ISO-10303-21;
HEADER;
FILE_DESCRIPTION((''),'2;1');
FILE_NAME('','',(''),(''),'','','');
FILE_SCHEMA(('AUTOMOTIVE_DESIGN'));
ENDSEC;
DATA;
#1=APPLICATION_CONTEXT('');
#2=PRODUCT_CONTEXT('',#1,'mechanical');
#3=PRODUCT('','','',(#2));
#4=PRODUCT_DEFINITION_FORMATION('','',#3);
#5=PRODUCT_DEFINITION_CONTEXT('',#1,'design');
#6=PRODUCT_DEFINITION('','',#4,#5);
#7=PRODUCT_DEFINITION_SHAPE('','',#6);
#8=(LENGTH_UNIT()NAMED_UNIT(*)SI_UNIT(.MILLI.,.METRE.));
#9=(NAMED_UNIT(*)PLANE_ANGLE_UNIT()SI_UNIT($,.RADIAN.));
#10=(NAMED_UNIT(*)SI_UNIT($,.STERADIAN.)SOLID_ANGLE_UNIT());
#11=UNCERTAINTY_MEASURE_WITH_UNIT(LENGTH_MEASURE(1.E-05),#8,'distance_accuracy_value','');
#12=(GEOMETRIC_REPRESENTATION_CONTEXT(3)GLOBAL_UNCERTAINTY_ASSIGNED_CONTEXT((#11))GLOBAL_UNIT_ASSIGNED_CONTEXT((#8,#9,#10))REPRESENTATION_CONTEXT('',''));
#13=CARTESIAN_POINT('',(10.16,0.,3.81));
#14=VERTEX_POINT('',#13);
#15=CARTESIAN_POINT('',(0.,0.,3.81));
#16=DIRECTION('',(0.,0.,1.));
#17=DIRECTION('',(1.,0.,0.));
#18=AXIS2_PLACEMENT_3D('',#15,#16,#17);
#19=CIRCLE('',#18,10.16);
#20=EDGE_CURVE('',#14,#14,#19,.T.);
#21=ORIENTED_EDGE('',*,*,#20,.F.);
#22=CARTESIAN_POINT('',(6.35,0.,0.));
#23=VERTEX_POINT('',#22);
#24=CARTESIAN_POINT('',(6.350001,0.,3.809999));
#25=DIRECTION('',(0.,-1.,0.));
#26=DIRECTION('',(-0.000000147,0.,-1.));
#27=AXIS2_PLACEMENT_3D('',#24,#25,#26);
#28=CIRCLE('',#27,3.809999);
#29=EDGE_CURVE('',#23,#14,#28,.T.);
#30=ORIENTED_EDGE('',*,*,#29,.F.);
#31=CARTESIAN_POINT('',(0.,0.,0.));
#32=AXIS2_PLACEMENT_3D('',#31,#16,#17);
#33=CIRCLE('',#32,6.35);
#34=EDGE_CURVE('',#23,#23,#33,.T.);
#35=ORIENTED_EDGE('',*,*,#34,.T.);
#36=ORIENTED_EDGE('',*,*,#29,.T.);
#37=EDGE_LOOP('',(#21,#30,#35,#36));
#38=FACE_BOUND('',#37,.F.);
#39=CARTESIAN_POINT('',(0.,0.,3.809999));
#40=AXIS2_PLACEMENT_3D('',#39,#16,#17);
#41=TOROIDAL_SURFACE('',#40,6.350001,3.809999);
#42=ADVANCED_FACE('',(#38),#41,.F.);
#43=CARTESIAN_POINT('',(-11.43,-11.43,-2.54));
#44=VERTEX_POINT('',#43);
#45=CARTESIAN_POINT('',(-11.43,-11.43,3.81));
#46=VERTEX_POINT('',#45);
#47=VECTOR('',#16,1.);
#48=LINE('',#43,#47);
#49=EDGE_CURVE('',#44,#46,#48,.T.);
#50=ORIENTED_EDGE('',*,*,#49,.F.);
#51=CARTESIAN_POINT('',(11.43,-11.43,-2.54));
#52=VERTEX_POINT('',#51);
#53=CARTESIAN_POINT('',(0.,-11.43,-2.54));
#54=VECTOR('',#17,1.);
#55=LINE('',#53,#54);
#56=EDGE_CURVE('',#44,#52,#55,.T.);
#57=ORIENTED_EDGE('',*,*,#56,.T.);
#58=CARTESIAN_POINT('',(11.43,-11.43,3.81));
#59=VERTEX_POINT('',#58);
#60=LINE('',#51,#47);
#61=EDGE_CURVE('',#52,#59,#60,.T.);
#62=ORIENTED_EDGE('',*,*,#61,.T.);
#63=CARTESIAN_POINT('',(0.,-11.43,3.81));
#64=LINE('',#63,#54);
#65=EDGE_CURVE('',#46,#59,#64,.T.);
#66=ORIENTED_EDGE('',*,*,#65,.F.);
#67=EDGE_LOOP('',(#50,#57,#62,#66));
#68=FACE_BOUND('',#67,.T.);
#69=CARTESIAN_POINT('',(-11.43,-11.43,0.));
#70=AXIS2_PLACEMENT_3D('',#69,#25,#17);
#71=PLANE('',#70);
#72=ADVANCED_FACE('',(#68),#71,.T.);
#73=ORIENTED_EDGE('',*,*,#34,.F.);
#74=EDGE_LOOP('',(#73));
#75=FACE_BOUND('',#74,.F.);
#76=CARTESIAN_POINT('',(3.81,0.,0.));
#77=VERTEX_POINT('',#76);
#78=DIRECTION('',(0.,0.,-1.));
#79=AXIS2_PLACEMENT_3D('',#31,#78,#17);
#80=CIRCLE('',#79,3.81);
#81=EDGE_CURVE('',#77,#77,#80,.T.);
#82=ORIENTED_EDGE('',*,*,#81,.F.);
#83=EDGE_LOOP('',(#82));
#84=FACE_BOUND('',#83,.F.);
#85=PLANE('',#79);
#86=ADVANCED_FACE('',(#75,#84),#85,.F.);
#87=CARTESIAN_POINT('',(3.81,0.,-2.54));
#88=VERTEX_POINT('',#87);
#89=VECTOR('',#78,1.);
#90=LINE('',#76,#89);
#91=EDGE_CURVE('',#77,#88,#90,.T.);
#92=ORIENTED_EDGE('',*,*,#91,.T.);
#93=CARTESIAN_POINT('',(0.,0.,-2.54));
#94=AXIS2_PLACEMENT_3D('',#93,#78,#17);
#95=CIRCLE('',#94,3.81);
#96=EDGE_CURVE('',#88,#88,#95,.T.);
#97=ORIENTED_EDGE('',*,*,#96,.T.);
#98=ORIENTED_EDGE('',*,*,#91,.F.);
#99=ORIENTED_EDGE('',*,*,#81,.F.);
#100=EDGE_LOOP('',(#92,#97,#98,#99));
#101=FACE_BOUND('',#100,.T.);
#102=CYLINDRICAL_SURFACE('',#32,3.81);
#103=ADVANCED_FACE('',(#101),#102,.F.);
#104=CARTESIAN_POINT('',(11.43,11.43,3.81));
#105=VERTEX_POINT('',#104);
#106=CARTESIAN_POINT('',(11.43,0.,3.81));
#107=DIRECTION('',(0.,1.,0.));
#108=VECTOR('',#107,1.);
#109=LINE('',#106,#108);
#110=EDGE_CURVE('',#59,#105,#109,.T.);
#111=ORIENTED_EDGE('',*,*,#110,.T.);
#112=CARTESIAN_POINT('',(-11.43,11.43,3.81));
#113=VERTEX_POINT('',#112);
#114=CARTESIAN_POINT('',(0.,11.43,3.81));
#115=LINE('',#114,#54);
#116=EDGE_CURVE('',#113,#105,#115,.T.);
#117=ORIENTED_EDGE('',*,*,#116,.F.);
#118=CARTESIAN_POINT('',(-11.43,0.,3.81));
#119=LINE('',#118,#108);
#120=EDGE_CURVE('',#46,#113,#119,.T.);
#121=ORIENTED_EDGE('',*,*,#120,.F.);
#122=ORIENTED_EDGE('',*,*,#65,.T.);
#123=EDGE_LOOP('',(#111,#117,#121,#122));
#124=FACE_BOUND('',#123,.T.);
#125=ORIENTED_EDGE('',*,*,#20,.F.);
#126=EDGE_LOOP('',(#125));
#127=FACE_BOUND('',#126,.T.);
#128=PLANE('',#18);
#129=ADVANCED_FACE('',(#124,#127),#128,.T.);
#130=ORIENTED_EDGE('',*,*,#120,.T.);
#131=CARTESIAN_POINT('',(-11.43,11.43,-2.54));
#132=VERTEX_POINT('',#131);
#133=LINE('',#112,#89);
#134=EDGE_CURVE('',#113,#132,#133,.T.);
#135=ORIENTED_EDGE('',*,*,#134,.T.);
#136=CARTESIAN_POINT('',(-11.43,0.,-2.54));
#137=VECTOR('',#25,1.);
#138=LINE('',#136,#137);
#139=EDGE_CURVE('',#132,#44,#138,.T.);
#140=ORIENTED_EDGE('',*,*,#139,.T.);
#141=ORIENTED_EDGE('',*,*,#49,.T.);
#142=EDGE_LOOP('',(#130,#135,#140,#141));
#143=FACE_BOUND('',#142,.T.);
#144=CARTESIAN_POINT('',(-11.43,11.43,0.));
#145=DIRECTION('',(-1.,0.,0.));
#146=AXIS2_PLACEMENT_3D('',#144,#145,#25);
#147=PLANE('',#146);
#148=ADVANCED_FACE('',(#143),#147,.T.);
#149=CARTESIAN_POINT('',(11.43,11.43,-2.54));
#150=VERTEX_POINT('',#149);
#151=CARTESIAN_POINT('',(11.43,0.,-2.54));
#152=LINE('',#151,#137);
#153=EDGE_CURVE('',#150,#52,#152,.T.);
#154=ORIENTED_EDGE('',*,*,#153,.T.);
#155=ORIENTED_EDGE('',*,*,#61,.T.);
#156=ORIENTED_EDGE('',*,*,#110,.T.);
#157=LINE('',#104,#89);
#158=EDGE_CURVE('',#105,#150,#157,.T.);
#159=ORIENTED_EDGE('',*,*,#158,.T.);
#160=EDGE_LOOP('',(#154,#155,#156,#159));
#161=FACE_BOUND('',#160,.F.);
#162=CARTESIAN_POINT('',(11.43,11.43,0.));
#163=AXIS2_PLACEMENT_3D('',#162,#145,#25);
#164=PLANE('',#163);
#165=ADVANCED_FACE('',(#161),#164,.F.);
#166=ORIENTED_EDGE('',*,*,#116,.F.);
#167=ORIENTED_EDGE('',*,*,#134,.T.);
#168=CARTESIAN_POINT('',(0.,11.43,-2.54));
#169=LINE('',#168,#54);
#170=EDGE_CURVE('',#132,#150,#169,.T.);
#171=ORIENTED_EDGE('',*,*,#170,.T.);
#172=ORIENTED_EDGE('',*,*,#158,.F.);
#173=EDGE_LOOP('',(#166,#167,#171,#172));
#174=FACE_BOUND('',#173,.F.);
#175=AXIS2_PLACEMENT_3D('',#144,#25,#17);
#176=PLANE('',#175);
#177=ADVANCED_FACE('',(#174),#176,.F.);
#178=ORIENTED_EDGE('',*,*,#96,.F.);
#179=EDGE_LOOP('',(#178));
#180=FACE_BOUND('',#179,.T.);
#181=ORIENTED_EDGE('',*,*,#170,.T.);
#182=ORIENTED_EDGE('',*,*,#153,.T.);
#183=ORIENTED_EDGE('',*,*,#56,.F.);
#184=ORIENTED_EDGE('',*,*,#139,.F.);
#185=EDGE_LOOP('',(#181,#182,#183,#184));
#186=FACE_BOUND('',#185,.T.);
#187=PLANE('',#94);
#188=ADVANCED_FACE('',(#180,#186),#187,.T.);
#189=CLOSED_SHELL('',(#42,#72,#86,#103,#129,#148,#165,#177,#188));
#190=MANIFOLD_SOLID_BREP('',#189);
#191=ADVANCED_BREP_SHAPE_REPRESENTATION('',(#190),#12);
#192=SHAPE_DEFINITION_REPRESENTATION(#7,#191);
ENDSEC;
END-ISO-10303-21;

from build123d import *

# Parameters (mm, degrees)
F0_W     = 22.86
F0_H     = 22.86
F1_DEPTH = 3.81
F4_W     = 22.86
F4_H     = 22.86
F4_R     = 3.81
F5_DEPTH = 2.54


with BuildPart() as f1:
    # F0 (on Top) → F1 (new body)
    with BuildSketch(Plane.XY):
        Rectangle(F0_W, F0_H)
    extrude(amount=F1_DEPTH)

    # F2 (on Front) → F3 (revolve, cut)
    with BuildSketch(Plane.XZ):
        with BuildLine():
            Line((0, 3.81), (0, 0))
            Line((0, 0), (6.35, 0))
            ThreePointArc((6.35, 0), (9.044077, 1.115923), (10.16, 3.81))
            Line((10.16, 3.81), (0, 3.81))
        make_face()
    revolve(axis=Axis((0, 0, 1.905), (0, 0, 1)), mode=Mode.SUBTRACT)

    # F4 (on face) → F5 (join)
    with BuildSketch(Plane(origin=(0, 0, 0), x_dir=(1, 0, 0), z_dir=(0, 0, -1))):
        Rectangle(F4_W, F4_H)
        Circle(F4_R, mode=Mode.SUBTRACT)
    extrude(amount=F5_DEPTH)


solid = f1.part
